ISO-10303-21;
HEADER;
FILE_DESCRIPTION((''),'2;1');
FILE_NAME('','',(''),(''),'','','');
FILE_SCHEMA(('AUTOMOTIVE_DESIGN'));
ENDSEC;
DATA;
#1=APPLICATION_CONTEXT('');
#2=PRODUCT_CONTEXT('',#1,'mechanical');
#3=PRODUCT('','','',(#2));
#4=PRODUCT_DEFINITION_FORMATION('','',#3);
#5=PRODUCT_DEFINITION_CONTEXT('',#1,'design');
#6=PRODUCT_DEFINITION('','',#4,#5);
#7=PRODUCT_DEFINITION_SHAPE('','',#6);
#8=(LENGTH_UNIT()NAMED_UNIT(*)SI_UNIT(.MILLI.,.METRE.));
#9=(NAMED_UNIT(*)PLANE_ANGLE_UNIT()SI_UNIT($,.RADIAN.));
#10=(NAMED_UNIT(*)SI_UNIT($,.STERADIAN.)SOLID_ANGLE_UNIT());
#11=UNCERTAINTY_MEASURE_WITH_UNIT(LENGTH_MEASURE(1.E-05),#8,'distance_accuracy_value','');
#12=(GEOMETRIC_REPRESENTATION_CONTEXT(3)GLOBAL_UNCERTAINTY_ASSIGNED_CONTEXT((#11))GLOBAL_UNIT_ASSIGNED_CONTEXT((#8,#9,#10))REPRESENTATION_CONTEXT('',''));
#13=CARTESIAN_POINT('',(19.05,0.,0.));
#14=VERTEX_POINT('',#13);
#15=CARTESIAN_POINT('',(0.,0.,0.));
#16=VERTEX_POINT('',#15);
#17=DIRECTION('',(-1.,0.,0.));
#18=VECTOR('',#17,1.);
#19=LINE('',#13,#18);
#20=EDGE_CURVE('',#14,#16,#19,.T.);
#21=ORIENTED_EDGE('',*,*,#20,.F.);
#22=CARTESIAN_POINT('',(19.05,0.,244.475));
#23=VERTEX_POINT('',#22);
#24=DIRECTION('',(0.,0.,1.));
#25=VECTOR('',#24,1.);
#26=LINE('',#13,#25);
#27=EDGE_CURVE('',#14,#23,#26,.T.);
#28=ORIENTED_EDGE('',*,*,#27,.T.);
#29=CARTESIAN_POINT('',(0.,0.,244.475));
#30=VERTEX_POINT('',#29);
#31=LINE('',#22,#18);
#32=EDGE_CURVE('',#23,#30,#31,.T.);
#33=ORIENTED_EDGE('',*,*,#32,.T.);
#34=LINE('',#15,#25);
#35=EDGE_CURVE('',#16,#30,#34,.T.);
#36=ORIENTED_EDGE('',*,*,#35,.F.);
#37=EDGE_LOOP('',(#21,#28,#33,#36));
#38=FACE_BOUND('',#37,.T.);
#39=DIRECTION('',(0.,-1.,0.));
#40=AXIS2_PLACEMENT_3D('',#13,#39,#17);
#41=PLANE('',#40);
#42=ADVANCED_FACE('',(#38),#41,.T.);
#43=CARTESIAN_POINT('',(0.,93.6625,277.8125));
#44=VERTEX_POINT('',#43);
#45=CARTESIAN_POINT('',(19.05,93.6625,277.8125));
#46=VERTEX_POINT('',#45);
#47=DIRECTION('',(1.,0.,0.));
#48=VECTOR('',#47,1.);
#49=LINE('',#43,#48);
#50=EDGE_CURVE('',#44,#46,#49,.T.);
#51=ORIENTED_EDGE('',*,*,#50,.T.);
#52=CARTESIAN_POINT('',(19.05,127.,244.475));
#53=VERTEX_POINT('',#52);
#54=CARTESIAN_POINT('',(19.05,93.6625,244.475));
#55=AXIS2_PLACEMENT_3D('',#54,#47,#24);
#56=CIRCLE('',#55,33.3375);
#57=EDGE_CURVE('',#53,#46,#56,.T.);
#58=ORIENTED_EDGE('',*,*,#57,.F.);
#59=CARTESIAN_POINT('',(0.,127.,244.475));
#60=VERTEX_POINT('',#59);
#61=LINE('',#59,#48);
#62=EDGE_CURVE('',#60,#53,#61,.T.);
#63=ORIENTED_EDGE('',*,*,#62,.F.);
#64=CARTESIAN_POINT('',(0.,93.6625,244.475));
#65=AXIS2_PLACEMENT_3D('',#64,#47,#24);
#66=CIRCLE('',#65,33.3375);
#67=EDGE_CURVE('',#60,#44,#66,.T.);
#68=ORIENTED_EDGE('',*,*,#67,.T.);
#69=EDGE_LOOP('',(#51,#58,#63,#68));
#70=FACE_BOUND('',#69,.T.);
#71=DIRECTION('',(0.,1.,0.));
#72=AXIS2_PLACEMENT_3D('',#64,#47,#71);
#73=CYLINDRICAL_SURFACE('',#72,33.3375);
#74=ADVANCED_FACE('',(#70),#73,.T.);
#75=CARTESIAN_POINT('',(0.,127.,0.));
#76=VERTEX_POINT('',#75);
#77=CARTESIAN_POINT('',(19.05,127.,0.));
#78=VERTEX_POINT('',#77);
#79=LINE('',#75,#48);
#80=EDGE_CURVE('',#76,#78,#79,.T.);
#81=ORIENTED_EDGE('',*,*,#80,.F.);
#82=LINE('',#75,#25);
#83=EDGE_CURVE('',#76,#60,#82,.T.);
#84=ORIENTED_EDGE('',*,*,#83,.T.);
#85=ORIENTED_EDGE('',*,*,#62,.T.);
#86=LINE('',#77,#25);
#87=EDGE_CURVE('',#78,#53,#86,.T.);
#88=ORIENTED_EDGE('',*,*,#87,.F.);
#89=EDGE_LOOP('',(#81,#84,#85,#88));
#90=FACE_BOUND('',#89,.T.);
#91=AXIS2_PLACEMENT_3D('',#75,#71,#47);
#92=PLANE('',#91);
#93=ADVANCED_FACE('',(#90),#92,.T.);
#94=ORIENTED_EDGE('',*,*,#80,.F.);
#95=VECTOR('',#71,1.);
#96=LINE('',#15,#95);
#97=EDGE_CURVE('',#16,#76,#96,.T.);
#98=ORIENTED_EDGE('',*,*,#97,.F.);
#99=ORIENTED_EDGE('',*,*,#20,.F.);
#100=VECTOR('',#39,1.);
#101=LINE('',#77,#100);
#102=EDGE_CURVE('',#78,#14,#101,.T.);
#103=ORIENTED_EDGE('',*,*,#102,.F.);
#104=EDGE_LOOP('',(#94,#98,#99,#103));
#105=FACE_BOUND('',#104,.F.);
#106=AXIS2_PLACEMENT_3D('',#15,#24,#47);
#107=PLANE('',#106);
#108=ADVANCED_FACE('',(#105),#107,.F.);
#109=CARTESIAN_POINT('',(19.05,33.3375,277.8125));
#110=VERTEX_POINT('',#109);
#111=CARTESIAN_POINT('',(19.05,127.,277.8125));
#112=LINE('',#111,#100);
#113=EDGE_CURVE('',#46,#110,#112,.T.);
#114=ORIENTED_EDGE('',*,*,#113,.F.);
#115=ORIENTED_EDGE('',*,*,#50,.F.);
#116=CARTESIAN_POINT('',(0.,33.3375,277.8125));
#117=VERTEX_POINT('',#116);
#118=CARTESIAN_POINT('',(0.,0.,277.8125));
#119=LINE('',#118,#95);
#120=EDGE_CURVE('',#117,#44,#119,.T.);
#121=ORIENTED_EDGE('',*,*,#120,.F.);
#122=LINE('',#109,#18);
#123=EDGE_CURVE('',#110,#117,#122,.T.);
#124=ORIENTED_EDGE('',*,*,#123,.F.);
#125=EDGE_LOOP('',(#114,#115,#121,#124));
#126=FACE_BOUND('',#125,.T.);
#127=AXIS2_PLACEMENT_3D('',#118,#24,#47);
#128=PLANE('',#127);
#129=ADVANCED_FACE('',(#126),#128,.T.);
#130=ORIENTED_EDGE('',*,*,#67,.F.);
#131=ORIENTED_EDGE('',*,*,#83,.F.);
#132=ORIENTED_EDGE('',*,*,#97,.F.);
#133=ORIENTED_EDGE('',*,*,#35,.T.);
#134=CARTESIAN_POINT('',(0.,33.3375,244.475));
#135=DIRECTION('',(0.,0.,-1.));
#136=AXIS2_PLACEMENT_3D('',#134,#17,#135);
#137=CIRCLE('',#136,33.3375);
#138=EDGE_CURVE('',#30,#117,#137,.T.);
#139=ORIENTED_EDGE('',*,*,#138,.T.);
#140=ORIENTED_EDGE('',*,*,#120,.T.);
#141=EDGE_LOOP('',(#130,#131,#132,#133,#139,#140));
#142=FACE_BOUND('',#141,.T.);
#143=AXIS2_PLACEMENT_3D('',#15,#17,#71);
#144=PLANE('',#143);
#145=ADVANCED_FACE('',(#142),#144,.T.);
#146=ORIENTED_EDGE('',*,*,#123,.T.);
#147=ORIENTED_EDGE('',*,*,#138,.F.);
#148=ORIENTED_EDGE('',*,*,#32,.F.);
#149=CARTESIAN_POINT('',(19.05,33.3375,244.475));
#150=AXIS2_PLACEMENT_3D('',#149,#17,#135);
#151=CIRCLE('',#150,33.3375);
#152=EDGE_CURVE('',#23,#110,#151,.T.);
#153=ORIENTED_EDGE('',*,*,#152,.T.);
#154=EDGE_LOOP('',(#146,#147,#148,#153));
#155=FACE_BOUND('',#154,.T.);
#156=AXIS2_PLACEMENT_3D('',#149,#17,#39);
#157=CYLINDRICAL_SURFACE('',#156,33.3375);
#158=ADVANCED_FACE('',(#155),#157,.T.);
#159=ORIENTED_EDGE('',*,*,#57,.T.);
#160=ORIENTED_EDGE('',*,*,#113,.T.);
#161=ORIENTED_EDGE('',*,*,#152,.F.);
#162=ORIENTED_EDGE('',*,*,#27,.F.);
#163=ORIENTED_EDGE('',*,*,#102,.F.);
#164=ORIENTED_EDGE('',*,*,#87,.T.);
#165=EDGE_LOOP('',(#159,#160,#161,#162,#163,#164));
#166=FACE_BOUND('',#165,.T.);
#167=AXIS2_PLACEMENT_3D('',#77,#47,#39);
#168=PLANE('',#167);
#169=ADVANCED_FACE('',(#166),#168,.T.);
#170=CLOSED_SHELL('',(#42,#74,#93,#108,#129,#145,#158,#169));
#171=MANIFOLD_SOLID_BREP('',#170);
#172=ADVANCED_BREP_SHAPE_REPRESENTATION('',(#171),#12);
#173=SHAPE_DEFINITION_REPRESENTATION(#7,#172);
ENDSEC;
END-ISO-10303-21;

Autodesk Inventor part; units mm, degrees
ref_plane "YZ Plane" through (0, 0, 0) normal (1, 0, 0) x (0, 1, 0)
ref_plane "XZ Plane" through (0, 0, 0) normal (0, 1, 0) x (-1, 0, 0)
ref_plane "XY Plane" through (0, 0, 0) normal (0, 0, 1) x (1, 0, 0)
sketch "Sketch1" plane through (0, 0, 0) normal (0, 0, 1) x (1, 0, 0)
  line L0 (0, 0) -> (0, 127)
  line L1 (0, 127) -> (19.05, 127)
  line L2 (19.05, 127) -> (19.05, 0)
  line L3 (19.05, 0) -> (0, 0)
  dimension "d0" = 127
  dimension "d1" = 19.05
extrude "Extrusion1" add sketch "Sketch1" along normal blind 277.8125
fillet "Fillet1" radius 33.3375 2 edges at (9.525, 0, 277.8125) (9.525, 127, 277.8125)
properties part number "Bumper Wood Backing Part3 (24x28 robot)" material "Wood (Birch)"
